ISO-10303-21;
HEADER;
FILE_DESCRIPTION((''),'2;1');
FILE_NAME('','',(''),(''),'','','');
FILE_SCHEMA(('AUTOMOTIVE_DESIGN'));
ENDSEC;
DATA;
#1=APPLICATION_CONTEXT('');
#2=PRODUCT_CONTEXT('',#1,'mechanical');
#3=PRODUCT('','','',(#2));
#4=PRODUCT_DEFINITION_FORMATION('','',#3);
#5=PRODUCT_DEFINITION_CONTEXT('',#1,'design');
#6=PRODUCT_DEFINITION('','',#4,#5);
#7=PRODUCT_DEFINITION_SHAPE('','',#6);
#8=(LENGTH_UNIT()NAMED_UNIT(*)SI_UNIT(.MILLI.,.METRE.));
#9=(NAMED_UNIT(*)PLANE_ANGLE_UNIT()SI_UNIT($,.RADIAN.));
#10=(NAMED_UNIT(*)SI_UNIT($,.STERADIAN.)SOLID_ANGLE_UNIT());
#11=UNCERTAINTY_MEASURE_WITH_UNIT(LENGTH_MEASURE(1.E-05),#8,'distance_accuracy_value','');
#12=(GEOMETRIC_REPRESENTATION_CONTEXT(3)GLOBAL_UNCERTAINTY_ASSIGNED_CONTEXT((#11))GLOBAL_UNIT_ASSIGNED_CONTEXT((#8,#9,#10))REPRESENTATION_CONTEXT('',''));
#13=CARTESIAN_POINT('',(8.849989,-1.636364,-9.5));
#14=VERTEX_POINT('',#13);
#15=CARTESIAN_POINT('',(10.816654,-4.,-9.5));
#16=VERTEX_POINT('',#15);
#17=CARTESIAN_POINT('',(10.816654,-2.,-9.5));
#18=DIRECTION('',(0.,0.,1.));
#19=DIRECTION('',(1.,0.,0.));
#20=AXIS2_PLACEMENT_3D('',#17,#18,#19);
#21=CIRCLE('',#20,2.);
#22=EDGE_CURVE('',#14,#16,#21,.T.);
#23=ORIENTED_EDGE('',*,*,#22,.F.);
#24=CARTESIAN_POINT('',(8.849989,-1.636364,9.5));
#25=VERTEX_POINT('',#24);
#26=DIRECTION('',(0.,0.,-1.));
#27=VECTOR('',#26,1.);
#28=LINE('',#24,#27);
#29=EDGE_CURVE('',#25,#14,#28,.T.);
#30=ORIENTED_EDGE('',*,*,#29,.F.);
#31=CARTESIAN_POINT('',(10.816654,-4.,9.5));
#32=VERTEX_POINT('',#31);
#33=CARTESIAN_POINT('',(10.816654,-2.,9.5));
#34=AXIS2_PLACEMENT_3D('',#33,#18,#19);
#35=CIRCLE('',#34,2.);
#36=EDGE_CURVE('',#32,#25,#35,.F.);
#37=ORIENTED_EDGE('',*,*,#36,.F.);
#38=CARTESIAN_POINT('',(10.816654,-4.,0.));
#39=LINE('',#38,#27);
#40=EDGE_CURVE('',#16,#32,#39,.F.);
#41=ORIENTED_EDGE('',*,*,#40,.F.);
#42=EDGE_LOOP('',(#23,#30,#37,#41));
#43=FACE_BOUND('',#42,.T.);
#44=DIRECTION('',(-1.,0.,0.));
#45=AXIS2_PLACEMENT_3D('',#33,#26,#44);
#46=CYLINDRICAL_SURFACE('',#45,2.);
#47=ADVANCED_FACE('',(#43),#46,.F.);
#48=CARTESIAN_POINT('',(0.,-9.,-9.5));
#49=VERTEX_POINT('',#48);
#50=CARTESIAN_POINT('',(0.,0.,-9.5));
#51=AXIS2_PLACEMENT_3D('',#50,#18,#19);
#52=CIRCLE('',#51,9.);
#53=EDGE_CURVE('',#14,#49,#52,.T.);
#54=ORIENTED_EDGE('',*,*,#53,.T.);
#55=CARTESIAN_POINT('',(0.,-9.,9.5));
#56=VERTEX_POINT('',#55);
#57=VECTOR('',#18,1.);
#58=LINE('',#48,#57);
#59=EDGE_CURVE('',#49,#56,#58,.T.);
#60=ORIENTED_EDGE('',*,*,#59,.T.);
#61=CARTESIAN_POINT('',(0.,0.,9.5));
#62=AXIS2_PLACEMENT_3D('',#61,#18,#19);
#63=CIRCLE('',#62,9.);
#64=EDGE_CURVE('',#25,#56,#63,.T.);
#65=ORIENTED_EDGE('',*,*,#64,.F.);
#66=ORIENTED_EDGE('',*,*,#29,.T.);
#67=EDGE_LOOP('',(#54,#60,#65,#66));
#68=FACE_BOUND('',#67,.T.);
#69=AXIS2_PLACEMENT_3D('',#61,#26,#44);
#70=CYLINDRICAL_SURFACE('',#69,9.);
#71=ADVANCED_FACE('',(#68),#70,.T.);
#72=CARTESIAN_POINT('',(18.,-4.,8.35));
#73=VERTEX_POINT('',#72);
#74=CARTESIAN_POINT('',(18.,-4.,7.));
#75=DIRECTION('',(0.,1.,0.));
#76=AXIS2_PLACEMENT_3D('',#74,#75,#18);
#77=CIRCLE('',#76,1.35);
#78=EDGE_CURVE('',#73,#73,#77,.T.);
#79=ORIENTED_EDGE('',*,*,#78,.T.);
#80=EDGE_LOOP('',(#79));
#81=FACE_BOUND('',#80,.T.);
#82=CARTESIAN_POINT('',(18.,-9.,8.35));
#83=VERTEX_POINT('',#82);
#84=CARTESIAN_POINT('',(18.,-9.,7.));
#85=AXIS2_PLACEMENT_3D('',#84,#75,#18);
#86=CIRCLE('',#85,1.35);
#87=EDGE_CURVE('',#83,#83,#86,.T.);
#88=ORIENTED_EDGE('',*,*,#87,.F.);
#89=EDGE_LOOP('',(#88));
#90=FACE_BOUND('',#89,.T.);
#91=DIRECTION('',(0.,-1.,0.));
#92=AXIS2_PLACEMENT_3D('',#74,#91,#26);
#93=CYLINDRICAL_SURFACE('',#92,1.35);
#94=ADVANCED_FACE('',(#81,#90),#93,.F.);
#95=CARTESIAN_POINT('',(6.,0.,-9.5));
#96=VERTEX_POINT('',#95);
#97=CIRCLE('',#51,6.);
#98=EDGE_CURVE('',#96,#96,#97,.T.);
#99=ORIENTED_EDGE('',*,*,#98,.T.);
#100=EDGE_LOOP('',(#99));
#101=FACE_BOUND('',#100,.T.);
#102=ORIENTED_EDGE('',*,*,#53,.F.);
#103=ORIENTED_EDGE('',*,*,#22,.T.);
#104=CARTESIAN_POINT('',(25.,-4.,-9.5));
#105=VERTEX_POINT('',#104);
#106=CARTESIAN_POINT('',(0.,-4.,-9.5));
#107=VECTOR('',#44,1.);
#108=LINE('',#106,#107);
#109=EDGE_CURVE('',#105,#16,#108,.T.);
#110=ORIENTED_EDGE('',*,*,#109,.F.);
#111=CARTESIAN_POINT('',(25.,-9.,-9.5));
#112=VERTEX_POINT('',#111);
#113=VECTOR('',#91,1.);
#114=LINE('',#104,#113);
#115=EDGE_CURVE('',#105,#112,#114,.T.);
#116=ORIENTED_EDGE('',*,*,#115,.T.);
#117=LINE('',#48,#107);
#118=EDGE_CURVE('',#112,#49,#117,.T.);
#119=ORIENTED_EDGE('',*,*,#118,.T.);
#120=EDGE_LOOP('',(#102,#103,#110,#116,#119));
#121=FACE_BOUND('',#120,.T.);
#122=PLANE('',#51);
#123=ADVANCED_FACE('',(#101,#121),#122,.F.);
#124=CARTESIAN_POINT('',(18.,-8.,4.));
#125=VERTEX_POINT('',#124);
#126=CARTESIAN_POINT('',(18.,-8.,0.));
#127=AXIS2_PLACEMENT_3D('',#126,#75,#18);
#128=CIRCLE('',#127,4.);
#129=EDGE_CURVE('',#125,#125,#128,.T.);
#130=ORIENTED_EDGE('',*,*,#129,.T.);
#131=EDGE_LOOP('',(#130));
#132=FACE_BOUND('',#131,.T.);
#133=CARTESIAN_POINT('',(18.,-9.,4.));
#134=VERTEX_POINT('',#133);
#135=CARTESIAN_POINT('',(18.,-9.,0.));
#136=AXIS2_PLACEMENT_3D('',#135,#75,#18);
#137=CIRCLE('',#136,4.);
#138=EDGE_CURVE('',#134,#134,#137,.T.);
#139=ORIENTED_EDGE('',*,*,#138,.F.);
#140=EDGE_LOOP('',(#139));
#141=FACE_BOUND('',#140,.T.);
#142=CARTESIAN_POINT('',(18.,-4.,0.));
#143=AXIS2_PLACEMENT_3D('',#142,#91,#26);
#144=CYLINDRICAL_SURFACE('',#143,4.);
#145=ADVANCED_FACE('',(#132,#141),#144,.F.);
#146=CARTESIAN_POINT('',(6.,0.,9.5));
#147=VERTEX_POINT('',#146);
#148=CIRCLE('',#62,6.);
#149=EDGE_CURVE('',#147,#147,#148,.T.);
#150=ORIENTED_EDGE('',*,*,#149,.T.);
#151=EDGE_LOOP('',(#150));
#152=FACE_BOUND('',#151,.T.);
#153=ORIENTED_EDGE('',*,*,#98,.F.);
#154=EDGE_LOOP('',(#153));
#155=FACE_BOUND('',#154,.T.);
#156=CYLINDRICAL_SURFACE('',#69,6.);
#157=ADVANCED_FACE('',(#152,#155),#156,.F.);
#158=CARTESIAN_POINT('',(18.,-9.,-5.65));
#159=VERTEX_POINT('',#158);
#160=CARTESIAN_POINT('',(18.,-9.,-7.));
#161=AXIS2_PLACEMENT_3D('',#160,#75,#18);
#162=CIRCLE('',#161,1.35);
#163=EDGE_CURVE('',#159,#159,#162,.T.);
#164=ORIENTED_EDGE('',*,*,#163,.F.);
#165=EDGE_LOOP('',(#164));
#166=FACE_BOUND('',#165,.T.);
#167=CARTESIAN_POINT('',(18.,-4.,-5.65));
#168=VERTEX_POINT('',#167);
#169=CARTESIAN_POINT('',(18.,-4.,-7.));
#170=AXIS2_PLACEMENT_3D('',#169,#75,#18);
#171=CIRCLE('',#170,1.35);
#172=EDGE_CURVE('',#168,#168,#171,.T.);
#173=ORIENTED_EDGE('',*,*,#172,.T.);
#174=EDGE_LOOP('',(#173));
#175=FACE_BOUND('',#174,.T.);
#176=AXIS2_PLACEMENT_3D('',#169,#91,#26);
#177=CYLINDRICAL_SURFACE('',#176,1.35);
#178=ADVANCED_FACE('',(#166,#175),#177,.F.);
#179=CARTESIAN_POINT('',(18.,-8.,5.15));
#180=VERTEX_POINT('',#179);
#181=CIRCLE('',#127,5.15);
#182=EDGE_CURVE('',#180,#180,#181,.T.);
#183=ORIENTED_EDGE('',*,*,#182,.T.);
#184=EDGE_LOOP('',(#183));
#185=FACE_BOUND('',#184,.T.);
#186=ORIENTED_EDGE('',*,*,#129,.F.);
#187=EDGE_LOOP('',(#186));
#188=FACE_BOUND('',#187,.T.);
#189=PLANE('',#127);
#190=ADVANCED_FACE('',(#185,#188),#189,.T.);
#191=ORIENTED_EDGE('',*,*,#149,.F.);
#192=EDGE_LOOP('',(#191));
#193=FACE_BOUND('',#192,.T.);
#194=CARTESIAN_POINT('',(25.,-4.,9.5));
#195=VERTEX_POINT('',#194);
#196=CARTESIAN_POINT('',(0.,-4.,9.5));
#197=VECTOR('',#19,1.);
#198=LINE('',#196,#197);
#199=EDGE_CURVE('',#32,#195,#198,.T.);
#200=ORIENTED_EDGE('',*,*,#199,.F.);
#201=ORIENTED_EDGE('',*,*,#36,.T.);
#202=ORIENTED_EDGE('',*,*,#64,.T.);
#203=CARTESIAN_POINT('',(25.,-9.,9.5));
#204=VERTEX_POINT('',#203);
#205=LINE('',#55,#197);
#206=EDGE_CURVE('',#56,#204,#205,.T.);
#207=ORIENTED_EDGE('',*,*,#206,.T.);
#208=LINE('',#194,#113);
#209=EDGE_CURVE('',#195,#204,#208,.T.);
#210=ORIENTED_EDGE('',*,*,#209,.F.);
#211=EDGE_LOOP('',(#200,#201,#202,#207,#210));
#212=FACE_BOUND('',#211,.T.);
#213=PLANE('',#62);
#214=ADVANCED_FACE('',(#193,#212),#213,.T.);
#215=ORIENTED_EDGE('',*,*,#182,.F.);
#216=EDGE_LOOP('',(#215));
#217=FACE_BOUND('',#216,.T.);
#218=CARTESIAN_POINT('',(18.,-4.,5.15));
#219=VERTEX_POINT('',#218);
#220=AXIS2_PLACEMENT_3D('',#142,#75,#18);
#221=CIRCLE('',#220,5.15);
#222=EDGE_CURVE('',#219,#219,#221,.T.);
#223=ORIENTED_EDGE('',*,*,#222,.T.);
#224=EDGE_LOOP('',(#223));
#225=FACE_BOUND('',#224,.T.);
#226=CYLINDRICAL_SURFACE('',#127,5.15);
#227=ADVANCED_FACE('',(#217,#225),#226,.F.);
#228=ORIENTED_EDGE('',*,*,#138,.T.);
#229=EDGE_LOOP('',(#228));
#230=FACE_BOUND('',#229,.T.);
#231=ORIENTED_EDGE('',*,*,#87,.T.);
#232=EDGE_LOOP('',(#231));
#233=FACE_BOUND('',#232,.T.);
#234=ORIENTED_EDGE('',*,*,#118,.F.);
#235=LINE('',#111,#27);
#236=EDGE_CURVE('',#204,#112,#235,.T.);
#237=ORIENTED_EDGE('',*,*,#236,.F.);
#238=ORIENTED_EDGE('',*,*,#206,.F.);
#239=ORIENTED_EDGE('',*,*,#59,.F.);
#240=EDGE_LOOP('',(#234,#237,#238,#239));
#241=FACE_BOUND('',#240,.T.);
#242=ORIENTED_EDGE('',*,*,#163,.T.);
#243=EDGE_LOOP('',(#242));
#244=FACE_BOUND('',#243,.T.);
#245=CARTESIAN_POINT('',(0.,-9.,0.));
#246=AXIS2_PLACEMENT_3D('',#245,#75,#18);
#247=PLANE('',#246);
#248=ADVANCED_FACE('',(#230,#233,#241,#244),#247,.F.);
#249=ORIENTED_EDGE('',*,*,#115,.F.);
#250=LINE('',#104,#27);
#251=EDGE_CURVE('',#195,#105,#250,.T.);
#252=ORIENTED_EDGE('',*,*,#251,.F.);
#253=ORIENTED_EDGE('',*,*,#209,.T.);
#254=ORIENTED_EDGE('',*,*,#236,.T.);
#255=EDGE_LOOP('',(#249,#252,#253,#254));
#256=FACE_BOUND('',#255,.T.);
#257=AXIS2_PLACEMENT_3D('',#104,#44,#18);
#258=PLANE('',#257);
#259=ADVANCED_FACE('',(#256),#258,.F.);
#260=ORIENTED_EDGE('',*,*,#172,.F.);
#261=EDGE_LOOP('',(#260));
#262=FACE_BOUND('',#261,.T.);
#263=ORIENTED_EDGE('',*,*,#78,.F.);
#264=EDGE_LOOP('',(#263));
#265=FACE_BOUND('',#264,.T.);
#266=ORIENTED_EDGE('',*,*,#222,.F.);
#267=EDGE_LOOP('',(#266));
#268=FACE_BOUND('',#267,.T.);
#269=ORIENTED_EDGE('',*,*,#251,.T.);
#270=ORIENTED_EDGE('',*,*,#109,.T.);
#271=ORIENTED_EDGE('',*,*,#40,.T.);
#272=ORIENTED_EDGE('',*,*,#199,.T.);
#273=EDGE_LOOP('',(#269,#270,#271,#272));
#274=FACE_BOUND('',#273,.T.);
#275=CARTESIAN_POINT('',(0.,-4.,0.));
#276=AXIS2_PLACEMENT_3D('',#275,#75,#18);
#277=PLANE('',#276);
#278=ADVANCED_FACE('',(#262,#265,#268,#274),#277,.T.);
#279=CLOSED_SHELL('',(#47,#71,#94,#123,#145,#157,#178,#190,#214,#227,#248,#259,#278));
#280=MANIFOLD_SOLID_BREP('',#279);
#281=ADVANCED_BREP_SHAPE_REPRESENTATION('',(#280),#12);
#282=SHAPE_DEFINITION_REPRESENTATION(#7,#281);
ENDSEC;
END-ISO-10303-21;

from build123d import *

# Parameters (mm, degrees)
SKETCH1_R                  = 9
SKETCH1_R_2                = 6
MAIN_DEPTH                 = 9.5
SKETCH2_W                  = 25
SKETCH2_H                  = 19
SKETCH2_R                  = 4
SKETCH2_R_2                = 1.35
BALLSUPPORTEXTRUSION_DEPTH = 5
SKETCH3_R                  = 5.15
BALLSUPPORTHOLE_DEPTH      = 4
FILLET2_R                  = 2
SKETCH5_R                  = 6
CUT_EXTRUDE2_DEPTH         = 20


with BuildPart() as part:
    # Sketch1 → Main (new body, symmetric)
    with BuildSketch(Plane.XY):
        Circle(SKETCH1_R)
        Circle(SKETCH1_R_2, mode=Mode.SUBTRACT)
    extrude(amount=MAIN_DEPTH, both=True)

    # Sketch2 → BallSupportExtrusion (add)
    with BuildSketch(Plane(origin=(0, -9, 0), x_dir=(1, 0, 0), z_dir=(0, 1, 0))):
        with Locations((12.5, 0)):
            Rectangle(SKETCH2_W, SKETCH2_H)
        with Locations((18, 0)):
            Circle(SKETCH2_R, mode=Mode.SUBTRACT)
        with Locations((18, 7)):
            Circle(SKETCH2_R_2, mode=Mode.SUBTRACT)
        with Locations((18, -7)):
            Circle(SKETCH2_R_2, mode=Mode.SUBTRACT)
    extrude(amount=BALLSUPPORTEXTRUSION_DEPTH)

    # Sketch3 → BallSupportHole (cut)
    with BuildSketch(Plane(origin=(0, -4, 0), x_dir=(1, 0, 0), z_dir=(0, 1, 0))):
        with Locations((18, 0)):
            Circle(SKETCH3_R)
    extrude(amount=-BALLSUPPORTHOLE_DEPTH, mode=Mode.SUBTRACT)

    # Fillet2
    fillet2_edges = [part.edges().sort_by_distance(p)[0] for p in [
        (8.062257748, -4, 0),
    ]]
    fillet(fillet2_edges, radius=FILLET2_R)

    # Sketch5 → Cut-Extrude2 (cut, through all)
    with BuildSketch(Plane.XY.offset(9.5)):
        Circle(SKETCH5_R)
    extrude(amount=-CUT_EXTRUDE2_DEPTH, mode=Mode.SUBTRACT)


solid = part.part
